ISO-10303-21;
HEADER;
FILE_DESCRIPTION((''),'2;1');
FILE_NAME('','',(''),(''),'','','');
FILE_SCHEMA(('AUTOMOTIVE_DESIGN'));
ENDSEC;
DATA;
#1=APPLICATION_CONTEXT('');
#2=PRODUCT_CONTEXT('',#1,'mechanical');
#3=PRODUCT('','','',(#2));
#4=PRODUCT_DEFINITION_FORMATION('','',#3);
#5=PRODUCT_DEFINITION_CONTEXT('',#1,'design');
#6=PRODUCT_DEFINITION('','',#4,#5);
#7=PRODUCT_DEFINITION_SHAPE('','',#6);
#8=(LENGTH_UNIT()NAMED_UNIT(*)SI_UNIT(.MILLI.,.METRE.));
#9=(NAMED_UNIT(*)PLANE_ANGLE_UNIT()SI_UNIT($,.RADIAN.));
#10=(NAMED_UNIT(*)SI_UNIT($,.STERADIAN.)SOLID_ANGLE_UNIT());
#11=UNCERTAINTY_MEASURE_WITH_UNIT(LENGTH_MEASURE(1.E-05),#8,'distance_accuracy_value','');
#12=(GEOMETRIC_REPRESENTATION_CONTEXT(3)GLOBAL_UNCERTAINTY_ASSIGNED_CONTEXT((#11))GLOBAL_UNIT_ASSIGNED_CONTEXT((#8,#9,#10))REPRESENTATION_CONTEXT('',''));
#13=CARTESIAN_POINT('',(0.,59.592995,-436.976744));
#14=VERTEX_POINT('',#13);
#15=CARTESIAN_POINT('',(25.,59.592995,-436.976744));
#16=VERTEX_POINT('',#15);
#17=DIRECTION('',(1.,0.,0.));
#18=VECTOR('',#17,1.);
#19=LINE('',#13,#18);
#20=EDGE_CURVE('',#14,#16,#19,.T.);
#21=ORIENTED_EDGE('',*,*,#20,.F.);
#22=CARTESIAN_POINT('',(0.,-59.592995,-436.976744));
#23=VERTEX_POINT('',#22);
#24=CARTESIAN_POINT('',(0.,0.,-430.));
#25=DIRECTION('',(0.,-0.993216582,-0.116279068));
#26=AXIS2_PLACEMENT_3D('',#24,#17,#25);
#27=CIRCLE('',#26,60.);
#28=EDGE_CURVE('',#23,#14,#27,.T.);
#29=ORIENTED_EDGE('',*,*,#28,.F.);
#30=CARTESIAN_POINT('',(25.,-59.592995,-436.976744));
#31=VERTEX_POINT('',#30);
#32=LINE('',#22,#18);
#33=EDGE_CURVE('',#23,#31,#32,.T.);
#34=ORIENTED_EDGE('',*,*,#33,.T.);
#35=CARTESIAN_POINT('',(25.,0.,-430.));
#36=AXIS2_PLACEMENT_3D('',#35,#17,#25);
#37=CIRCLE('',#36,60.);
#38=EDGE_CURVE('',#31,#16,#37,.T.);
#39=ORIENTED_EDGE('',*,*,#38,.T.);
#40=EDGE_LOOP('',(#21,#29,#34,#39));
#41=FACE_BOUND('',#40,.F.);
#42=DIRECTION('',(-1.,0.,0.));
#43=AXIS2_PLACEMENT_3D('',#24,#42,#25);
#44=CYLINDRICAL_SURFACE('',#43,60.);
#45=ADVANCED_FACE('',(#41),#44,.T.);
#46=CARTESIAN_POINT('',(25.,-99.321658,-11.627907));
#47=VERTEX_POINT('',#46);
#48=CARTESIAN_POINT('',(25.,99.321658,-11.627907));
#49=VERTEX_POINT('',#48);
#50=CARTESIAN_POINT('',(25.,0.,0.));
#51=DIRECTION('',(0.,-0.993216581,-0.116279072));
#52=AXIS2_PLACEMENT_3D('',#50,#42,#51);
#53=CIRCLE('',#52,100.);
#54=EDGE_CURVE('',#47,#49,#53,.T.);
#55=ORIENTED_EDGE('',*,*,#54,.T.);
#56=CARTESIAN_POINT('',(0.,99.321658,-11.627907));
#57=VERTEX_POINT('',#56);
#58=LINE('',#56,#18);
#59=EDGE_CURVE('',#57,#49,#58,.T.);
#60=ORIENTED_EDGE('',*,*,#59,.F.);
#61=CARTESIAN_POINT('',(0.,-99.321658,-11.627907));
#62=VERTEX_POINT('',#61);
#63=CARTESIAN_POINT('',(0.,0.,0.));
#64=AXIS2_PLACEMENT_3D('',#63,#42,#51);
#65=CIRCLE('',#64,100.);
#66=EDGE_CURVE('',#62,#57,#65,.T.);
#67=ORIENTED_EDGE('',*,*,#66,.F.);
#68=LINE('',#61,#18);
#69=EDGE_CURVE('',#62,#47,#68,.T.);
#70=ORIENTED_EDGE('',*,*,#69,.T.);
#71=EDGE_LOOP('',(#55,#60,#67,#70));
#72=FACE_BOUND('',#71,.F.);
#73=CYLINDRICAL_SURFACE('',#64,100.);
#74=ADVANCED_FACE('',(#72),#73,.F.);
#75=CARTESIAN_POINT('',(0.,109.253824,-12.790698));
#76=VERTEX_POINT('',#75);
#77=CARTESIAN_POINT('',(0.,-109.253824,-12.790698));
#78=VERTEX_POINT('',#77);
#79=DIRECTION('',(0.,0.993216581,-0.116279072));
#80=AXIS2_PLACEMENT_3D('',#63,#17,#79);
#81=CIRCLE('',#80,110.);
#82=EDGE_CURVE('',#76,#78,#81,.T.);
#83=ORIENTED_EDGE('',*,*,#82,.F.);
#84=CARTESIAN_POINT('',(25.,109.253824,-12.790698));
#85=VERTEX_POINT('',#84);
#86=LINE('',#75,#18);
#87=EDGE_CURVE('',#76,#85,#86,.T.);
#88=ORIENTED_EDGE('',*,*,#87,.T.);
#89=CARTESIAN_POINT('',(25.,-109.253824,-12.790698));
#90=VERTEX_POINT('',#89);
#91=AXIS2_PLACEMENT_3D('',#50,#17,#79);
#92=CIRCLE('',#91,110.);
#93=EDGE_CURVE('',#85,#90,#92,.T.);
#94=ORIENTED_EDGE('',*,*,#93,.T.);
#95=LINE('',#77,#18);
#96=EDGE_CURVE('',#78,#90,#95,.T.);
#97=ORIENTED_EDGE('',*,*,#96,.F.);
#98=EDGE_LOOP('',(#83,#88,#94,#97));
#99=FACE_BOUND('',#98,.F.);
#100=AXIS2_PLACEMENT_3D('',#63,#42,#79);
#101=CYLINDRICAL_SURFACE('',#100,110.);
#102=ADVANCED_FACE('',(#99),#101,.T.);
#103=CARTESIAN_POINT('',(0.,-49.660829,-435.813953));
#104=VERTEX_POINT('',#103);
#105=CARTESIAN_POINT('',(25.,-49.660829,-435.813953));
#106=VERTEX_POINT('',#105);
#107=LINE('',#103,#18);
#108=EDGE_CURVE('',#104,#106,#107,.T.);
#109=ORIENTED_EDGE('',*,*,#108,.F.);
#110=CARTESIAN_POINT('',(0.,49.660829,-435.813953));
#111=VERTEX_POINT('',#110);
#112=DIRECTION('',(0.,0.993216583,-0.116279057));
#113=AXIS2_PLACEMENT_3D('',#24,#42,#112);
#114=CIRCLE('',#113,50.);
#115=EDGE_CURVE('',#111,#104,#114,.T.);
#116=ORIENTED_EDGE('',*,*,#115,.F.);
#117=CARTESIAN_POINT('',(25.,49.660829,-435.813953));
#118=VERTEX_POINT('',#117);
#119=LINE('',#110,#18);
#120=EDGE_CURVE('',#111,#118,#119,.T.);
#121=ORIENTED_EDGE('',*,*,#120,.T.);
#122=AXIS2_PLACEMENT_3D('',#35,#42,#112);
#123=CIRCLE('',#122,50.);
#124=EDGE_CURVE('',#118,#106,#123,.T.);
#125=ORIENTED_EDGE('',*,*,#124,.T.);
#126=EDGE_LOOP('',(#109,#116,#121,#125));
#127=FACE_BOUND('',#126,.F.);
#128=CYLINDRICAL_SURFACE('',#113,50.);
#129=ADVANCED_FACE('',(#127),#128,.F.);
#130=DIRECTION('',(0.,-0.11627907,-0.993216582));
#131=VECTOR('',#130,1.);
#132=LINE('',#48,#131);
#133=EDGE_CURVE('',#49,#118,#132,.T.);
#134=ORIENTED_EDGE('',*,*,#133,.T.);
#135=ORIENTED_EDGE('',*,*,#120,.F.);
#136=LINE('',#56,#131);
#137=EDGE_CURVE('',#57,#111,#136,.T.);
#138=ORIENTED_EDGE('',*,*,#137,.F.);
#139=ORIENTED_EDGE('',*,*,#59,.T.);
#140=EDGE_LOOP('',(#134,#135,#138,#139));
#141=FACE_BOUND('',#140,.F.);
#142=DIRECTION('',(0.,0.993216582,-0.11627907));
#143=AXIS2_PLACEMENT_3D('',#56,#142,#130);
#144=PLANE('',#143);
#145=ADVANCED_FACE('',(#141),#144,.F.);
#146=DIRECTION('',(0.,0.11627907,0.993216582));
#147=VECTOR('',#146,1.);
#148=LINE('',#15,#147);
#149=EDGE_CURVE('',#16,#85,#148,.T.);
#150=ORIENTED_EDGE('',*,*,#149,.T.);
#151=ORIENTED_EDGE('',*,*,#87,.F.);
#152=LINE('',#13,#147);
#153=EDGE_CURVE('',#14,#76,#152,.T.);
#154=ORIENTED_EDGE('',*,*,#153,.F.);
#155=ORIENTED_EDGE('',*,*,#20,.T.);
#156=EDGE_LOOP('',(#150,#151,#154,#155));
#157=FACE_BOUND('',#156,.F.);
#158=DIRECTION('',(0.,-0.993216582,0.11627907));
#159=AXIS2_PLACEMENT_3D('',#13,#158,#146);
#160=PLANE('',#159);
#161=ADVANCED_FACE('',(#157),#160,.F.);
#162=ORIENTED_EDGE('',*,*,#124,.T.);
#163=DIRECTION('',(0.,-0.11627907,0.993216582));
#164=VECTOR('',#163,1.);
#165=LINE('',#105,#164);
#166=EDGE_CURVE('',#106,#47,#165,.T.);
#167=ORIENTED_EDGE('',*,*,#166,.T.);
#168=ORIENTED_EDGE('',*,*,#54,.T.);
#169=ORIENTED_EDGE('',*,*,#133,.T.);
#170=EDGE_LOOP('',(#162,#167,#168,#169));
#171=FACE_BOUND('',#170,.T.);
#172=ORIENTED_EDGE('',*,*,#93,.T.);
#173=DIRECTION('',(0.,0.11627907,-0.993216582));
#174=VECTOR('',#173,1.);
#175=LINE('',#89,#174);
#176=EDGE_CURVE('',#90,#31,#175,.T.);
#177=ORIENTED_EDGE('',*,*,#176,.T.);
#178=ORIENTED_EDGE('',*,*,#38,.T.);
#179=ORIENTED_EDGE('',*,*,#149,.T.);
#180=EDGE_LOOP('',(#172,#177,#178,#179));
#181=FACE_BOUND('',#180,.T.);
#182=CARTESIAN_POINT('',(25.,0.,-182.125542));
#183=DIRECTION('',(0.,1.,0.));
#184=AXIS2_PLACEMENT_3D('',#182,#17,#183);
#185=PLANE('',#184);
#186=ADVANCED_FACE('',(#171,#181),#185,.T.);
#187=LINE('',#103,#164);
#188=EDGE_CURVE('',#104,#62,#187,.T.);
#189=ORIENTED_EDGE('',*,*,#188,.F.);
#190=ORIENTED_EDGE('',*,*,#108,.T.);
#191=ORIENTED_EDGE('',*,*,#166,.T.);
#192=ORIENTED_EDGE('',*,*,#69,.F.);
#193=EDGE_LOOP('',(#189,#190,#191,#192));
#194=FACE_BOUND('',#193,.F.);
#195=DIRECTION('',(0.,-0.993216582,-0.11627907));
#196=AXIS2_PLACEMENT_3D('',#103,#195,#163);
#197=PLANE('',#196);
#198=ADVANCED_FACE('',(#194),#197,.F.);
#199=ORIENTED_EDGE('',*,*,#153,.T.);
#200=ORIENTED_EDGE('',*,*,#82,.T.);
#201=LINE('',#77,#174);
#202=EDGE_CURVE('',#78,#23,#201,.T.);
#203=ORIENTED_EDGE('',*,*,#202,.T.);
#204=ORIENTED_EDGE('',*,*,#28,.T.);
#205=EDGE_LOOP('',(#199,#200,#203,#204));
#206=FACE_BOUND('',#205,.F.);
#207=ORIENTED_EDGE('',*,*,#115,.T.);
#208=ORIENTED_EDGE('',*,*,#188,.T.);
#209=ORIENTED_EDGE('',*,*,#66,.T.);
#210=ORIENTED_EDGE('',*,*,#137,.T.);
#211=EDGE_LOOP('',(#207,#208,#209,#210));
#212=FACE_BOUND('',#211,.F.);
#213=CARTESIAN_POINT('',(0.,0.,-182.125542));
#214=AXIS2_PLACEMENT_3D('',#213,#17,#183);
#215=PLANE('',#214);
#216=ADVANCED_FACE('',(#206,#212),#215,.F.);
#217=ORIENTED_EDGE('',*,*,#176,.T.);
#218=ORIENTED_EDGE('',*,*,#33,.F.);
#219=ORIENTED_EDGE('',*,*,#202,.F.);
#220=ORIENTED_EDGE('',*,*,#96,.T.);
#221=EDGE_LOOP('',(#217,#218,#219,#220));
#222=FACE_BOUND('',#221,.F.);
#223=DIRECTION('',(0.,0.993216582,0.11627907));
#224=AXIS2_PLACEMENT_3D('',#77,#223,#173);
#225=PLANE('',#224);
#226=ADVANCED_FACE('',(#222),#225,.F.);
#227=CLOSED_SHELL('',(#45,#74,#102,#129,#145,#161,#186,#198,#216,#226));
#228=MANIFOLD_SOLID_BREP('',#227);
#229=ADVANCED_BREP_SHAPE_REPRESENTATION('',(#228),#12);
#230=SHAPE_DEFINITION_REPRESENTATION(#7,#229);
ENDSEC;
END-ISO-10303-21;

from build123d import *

# Parameters (mm, degrees)
F1_DEPTH = 25


with BuildPart() as f1:
    # F0 (on Right) → F1 (new body)
    with BuildSketch(Plane.YZ):
        with BuildLine():
            ThreePointArc((109.253824, -12.790698), (0, 110), (-109.253824, -12.790698))
            Line((-109.253824, -12.790698), (-59.592995, -436.976744))
            ThreePointArc((-59.592995, -436.976744), (0, -490), (59.592995, -436.976744))
            Line((59.592995, -436.976744), (109.253824, -12.790698))
        make_face()
        with BuildLine():
            ThreePointArc((-99.321658, -11.627907), (0, 100), (99.321658, -11.627907))
            Line((99.321658, -11.627907), (49.660829, -435.813953))
            ThreePointArc((49.660829, -435.813953), (0, -480), (-49.660829, -435.813953))
            Line((-49.660829, -435.813953), (-99.321658, -11.627907))
        make_face(mode=Mode.SUBTRACT)
    extrude(amount=F1_DEPTH)


solid = f1.part
